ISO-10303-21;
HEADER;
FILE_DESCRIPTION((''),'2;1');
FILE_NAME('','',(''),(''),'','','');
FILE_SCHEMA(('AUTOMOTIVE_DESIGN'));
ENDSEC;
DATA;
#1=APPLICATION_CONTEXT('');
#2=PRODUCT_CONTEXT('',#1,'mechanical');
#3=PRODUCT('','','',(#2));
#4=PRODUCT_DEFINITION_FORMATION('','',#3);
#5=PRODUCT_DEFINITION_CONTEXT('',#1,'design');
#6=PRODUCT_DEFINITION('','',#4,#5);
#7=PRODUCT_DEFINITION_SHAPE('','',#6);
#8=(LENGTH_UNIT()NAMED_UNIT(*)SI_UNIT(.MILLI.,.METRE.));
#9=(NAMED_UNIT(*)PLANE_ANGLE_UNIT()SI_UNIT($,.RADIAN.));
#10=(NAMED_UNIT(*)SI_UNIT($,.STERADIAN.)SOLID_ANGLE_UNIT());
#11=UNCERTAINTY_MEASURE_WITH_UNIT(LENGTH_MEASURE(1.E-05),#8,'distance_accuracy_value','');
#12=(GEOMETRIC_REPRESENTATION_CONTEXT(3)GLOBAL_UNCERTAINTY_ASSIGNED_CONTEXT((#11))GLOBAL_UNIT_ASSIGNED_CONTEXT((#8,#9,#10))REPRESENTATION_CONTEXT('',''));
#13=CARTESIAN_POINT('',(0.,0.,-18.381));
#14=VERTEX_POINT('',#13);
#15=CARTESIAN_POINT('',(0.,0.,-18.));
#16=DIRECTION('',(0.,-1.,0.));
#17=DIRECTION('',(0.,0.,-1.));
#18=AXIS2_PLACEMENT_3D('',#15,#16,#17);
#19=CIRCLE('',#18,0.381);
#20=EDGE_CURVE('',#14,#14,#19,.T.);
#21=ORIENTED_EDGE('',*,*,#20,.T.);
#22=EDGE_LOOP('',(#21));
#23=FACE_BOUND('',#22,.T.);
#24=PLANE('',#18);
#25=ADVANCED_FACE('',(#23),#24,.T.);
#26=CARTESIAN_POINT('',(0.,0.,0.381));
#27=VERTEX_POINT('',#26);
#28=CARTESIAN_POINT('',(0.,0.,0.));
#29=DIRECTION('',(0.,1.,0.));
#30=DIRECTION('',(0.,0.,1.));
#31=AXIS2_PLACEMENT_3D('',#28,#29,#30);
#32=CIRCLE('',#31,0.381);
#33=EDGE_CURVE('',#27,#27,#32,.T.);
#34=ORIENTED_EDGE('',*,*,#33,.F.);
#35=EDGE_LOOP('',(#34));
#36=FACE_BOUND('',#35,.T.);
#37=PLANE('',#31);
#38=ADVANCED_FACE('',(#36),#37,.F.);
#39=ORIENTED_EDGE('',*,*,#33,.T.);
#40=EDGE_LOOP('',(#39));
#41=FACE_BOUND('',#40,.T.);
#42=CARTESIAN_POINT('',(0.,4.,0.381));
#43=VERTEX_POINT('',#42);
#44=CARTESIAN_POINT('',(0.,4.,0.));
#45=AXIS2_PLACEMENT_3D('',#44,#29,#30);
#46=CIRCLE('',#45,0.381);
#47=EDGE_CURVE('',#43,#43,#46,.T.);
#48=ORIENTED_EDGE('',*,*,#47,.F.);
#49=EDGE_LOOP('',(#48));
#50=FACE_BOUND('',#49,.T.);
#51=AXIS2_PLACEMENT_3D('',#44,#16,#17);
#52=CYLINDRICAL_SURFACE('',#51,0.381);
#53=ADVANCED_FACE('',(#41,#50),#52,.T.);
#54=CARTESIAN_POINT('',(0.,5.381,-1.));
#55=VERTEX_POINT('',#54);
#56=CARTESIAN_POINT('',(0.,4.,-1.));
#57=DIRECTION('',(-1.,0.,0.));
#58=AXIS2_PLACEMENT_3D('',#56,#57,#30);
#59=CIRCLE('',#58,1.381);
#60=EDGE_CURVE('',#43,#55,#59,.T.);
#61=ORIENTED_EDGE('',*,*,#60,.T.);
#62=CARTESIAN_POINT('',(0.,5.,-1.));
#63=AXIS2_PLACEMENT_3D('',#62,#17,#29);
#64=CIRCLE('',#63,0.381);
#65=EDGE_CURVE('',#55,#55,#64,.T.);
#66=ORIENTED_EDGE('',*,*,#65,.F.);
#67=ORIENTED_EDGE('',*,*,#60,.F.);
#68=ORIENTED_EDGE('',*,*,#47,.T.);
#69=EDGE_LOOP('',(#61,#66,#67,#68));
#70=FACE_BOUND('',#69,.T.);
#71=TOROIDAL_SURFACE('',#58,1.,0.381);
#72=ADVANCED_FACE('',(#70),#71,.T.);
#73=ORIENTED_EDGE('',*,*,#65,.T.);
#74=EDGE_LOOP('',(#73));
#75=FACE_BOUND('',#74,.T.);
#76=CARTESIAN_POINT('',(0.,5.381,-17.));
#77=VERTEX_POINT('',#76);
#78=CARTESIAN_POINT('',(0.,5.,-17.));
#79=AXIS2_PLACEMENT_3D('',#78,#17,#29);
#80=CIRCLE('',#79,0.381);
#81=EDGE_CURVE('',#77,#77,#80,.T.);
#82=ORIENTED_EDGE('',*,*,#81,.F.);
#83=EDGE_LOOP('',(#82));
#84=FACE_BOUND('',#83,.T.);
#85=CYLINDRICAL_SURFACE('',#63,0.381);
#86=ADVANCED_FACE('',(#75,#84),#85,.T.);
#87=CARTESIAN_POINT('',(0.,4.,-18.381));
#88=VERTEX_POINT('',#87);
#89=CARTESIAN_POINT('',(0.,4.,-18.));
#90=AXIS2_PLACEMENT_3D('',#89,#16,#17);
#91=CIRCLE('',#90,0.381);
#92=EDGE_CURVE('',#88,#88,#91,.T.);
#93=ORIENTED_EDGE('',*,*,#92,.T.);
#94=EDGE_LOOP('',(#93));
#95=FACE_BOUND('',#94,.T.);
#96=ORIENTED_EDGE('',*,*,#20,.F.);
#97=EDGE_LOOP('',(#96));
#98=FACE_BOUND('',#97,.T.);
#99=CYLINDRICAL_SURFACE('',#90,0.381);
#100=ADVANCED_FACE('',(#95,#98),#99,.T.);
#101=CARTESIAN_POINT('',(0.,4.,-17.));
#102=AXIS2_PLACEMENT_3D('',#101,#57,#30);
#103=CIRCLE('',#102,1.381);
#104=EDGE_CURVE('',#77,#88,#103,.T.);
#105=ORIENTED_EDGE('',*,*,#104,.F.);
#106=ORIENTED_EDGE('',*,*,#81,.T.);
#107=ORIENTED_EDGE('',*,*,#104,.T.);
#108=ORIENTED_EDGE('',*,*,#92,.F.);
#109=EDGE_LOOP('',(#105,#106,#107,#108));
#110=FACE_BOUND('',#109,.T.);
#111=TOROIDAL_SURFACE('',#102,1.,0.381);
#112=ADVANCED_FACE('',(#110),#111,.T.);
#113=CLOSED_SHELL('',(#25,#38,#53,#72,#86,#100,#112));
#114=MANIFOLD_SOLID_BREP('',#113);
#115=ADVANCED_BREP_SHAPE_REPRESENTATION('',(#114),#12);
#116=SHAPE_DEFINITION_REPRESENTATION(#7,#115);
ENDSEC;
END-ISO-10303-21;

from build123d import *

# Parameters (mm, degrees)
SKETCH2_R = 0.381


with BuildPart() as part:
    # Sweep1: sweep along a path in Sketch3
    with BuildLine(Plane(origin=(0, 0, 0), x_dir=(0, 0, -1), z_dir=(1, 0, 0))) as sweep1_path:
        Line((0, 0), (0, 4))
        ThreePointArc((0, 4), (0.292893219, 4.707106781), (1, 5))
        Line((1, 5), (17, 5))
        ThreePointArc((17, 5), (17.707106781, 4.707106781), (18, 4))
        Line((18, 4), (18, 0))
    # Sketch2 → Sweep1 (sweep)
    with BuildSketch(Plane(origin=(0, 0, 0), x_dir=(1, 0, 0), z_dir=(0, 1, 0))):
        Circle(SKETCH2_R)
    sweep(path=sweep1_path.line)


solid = part.part
